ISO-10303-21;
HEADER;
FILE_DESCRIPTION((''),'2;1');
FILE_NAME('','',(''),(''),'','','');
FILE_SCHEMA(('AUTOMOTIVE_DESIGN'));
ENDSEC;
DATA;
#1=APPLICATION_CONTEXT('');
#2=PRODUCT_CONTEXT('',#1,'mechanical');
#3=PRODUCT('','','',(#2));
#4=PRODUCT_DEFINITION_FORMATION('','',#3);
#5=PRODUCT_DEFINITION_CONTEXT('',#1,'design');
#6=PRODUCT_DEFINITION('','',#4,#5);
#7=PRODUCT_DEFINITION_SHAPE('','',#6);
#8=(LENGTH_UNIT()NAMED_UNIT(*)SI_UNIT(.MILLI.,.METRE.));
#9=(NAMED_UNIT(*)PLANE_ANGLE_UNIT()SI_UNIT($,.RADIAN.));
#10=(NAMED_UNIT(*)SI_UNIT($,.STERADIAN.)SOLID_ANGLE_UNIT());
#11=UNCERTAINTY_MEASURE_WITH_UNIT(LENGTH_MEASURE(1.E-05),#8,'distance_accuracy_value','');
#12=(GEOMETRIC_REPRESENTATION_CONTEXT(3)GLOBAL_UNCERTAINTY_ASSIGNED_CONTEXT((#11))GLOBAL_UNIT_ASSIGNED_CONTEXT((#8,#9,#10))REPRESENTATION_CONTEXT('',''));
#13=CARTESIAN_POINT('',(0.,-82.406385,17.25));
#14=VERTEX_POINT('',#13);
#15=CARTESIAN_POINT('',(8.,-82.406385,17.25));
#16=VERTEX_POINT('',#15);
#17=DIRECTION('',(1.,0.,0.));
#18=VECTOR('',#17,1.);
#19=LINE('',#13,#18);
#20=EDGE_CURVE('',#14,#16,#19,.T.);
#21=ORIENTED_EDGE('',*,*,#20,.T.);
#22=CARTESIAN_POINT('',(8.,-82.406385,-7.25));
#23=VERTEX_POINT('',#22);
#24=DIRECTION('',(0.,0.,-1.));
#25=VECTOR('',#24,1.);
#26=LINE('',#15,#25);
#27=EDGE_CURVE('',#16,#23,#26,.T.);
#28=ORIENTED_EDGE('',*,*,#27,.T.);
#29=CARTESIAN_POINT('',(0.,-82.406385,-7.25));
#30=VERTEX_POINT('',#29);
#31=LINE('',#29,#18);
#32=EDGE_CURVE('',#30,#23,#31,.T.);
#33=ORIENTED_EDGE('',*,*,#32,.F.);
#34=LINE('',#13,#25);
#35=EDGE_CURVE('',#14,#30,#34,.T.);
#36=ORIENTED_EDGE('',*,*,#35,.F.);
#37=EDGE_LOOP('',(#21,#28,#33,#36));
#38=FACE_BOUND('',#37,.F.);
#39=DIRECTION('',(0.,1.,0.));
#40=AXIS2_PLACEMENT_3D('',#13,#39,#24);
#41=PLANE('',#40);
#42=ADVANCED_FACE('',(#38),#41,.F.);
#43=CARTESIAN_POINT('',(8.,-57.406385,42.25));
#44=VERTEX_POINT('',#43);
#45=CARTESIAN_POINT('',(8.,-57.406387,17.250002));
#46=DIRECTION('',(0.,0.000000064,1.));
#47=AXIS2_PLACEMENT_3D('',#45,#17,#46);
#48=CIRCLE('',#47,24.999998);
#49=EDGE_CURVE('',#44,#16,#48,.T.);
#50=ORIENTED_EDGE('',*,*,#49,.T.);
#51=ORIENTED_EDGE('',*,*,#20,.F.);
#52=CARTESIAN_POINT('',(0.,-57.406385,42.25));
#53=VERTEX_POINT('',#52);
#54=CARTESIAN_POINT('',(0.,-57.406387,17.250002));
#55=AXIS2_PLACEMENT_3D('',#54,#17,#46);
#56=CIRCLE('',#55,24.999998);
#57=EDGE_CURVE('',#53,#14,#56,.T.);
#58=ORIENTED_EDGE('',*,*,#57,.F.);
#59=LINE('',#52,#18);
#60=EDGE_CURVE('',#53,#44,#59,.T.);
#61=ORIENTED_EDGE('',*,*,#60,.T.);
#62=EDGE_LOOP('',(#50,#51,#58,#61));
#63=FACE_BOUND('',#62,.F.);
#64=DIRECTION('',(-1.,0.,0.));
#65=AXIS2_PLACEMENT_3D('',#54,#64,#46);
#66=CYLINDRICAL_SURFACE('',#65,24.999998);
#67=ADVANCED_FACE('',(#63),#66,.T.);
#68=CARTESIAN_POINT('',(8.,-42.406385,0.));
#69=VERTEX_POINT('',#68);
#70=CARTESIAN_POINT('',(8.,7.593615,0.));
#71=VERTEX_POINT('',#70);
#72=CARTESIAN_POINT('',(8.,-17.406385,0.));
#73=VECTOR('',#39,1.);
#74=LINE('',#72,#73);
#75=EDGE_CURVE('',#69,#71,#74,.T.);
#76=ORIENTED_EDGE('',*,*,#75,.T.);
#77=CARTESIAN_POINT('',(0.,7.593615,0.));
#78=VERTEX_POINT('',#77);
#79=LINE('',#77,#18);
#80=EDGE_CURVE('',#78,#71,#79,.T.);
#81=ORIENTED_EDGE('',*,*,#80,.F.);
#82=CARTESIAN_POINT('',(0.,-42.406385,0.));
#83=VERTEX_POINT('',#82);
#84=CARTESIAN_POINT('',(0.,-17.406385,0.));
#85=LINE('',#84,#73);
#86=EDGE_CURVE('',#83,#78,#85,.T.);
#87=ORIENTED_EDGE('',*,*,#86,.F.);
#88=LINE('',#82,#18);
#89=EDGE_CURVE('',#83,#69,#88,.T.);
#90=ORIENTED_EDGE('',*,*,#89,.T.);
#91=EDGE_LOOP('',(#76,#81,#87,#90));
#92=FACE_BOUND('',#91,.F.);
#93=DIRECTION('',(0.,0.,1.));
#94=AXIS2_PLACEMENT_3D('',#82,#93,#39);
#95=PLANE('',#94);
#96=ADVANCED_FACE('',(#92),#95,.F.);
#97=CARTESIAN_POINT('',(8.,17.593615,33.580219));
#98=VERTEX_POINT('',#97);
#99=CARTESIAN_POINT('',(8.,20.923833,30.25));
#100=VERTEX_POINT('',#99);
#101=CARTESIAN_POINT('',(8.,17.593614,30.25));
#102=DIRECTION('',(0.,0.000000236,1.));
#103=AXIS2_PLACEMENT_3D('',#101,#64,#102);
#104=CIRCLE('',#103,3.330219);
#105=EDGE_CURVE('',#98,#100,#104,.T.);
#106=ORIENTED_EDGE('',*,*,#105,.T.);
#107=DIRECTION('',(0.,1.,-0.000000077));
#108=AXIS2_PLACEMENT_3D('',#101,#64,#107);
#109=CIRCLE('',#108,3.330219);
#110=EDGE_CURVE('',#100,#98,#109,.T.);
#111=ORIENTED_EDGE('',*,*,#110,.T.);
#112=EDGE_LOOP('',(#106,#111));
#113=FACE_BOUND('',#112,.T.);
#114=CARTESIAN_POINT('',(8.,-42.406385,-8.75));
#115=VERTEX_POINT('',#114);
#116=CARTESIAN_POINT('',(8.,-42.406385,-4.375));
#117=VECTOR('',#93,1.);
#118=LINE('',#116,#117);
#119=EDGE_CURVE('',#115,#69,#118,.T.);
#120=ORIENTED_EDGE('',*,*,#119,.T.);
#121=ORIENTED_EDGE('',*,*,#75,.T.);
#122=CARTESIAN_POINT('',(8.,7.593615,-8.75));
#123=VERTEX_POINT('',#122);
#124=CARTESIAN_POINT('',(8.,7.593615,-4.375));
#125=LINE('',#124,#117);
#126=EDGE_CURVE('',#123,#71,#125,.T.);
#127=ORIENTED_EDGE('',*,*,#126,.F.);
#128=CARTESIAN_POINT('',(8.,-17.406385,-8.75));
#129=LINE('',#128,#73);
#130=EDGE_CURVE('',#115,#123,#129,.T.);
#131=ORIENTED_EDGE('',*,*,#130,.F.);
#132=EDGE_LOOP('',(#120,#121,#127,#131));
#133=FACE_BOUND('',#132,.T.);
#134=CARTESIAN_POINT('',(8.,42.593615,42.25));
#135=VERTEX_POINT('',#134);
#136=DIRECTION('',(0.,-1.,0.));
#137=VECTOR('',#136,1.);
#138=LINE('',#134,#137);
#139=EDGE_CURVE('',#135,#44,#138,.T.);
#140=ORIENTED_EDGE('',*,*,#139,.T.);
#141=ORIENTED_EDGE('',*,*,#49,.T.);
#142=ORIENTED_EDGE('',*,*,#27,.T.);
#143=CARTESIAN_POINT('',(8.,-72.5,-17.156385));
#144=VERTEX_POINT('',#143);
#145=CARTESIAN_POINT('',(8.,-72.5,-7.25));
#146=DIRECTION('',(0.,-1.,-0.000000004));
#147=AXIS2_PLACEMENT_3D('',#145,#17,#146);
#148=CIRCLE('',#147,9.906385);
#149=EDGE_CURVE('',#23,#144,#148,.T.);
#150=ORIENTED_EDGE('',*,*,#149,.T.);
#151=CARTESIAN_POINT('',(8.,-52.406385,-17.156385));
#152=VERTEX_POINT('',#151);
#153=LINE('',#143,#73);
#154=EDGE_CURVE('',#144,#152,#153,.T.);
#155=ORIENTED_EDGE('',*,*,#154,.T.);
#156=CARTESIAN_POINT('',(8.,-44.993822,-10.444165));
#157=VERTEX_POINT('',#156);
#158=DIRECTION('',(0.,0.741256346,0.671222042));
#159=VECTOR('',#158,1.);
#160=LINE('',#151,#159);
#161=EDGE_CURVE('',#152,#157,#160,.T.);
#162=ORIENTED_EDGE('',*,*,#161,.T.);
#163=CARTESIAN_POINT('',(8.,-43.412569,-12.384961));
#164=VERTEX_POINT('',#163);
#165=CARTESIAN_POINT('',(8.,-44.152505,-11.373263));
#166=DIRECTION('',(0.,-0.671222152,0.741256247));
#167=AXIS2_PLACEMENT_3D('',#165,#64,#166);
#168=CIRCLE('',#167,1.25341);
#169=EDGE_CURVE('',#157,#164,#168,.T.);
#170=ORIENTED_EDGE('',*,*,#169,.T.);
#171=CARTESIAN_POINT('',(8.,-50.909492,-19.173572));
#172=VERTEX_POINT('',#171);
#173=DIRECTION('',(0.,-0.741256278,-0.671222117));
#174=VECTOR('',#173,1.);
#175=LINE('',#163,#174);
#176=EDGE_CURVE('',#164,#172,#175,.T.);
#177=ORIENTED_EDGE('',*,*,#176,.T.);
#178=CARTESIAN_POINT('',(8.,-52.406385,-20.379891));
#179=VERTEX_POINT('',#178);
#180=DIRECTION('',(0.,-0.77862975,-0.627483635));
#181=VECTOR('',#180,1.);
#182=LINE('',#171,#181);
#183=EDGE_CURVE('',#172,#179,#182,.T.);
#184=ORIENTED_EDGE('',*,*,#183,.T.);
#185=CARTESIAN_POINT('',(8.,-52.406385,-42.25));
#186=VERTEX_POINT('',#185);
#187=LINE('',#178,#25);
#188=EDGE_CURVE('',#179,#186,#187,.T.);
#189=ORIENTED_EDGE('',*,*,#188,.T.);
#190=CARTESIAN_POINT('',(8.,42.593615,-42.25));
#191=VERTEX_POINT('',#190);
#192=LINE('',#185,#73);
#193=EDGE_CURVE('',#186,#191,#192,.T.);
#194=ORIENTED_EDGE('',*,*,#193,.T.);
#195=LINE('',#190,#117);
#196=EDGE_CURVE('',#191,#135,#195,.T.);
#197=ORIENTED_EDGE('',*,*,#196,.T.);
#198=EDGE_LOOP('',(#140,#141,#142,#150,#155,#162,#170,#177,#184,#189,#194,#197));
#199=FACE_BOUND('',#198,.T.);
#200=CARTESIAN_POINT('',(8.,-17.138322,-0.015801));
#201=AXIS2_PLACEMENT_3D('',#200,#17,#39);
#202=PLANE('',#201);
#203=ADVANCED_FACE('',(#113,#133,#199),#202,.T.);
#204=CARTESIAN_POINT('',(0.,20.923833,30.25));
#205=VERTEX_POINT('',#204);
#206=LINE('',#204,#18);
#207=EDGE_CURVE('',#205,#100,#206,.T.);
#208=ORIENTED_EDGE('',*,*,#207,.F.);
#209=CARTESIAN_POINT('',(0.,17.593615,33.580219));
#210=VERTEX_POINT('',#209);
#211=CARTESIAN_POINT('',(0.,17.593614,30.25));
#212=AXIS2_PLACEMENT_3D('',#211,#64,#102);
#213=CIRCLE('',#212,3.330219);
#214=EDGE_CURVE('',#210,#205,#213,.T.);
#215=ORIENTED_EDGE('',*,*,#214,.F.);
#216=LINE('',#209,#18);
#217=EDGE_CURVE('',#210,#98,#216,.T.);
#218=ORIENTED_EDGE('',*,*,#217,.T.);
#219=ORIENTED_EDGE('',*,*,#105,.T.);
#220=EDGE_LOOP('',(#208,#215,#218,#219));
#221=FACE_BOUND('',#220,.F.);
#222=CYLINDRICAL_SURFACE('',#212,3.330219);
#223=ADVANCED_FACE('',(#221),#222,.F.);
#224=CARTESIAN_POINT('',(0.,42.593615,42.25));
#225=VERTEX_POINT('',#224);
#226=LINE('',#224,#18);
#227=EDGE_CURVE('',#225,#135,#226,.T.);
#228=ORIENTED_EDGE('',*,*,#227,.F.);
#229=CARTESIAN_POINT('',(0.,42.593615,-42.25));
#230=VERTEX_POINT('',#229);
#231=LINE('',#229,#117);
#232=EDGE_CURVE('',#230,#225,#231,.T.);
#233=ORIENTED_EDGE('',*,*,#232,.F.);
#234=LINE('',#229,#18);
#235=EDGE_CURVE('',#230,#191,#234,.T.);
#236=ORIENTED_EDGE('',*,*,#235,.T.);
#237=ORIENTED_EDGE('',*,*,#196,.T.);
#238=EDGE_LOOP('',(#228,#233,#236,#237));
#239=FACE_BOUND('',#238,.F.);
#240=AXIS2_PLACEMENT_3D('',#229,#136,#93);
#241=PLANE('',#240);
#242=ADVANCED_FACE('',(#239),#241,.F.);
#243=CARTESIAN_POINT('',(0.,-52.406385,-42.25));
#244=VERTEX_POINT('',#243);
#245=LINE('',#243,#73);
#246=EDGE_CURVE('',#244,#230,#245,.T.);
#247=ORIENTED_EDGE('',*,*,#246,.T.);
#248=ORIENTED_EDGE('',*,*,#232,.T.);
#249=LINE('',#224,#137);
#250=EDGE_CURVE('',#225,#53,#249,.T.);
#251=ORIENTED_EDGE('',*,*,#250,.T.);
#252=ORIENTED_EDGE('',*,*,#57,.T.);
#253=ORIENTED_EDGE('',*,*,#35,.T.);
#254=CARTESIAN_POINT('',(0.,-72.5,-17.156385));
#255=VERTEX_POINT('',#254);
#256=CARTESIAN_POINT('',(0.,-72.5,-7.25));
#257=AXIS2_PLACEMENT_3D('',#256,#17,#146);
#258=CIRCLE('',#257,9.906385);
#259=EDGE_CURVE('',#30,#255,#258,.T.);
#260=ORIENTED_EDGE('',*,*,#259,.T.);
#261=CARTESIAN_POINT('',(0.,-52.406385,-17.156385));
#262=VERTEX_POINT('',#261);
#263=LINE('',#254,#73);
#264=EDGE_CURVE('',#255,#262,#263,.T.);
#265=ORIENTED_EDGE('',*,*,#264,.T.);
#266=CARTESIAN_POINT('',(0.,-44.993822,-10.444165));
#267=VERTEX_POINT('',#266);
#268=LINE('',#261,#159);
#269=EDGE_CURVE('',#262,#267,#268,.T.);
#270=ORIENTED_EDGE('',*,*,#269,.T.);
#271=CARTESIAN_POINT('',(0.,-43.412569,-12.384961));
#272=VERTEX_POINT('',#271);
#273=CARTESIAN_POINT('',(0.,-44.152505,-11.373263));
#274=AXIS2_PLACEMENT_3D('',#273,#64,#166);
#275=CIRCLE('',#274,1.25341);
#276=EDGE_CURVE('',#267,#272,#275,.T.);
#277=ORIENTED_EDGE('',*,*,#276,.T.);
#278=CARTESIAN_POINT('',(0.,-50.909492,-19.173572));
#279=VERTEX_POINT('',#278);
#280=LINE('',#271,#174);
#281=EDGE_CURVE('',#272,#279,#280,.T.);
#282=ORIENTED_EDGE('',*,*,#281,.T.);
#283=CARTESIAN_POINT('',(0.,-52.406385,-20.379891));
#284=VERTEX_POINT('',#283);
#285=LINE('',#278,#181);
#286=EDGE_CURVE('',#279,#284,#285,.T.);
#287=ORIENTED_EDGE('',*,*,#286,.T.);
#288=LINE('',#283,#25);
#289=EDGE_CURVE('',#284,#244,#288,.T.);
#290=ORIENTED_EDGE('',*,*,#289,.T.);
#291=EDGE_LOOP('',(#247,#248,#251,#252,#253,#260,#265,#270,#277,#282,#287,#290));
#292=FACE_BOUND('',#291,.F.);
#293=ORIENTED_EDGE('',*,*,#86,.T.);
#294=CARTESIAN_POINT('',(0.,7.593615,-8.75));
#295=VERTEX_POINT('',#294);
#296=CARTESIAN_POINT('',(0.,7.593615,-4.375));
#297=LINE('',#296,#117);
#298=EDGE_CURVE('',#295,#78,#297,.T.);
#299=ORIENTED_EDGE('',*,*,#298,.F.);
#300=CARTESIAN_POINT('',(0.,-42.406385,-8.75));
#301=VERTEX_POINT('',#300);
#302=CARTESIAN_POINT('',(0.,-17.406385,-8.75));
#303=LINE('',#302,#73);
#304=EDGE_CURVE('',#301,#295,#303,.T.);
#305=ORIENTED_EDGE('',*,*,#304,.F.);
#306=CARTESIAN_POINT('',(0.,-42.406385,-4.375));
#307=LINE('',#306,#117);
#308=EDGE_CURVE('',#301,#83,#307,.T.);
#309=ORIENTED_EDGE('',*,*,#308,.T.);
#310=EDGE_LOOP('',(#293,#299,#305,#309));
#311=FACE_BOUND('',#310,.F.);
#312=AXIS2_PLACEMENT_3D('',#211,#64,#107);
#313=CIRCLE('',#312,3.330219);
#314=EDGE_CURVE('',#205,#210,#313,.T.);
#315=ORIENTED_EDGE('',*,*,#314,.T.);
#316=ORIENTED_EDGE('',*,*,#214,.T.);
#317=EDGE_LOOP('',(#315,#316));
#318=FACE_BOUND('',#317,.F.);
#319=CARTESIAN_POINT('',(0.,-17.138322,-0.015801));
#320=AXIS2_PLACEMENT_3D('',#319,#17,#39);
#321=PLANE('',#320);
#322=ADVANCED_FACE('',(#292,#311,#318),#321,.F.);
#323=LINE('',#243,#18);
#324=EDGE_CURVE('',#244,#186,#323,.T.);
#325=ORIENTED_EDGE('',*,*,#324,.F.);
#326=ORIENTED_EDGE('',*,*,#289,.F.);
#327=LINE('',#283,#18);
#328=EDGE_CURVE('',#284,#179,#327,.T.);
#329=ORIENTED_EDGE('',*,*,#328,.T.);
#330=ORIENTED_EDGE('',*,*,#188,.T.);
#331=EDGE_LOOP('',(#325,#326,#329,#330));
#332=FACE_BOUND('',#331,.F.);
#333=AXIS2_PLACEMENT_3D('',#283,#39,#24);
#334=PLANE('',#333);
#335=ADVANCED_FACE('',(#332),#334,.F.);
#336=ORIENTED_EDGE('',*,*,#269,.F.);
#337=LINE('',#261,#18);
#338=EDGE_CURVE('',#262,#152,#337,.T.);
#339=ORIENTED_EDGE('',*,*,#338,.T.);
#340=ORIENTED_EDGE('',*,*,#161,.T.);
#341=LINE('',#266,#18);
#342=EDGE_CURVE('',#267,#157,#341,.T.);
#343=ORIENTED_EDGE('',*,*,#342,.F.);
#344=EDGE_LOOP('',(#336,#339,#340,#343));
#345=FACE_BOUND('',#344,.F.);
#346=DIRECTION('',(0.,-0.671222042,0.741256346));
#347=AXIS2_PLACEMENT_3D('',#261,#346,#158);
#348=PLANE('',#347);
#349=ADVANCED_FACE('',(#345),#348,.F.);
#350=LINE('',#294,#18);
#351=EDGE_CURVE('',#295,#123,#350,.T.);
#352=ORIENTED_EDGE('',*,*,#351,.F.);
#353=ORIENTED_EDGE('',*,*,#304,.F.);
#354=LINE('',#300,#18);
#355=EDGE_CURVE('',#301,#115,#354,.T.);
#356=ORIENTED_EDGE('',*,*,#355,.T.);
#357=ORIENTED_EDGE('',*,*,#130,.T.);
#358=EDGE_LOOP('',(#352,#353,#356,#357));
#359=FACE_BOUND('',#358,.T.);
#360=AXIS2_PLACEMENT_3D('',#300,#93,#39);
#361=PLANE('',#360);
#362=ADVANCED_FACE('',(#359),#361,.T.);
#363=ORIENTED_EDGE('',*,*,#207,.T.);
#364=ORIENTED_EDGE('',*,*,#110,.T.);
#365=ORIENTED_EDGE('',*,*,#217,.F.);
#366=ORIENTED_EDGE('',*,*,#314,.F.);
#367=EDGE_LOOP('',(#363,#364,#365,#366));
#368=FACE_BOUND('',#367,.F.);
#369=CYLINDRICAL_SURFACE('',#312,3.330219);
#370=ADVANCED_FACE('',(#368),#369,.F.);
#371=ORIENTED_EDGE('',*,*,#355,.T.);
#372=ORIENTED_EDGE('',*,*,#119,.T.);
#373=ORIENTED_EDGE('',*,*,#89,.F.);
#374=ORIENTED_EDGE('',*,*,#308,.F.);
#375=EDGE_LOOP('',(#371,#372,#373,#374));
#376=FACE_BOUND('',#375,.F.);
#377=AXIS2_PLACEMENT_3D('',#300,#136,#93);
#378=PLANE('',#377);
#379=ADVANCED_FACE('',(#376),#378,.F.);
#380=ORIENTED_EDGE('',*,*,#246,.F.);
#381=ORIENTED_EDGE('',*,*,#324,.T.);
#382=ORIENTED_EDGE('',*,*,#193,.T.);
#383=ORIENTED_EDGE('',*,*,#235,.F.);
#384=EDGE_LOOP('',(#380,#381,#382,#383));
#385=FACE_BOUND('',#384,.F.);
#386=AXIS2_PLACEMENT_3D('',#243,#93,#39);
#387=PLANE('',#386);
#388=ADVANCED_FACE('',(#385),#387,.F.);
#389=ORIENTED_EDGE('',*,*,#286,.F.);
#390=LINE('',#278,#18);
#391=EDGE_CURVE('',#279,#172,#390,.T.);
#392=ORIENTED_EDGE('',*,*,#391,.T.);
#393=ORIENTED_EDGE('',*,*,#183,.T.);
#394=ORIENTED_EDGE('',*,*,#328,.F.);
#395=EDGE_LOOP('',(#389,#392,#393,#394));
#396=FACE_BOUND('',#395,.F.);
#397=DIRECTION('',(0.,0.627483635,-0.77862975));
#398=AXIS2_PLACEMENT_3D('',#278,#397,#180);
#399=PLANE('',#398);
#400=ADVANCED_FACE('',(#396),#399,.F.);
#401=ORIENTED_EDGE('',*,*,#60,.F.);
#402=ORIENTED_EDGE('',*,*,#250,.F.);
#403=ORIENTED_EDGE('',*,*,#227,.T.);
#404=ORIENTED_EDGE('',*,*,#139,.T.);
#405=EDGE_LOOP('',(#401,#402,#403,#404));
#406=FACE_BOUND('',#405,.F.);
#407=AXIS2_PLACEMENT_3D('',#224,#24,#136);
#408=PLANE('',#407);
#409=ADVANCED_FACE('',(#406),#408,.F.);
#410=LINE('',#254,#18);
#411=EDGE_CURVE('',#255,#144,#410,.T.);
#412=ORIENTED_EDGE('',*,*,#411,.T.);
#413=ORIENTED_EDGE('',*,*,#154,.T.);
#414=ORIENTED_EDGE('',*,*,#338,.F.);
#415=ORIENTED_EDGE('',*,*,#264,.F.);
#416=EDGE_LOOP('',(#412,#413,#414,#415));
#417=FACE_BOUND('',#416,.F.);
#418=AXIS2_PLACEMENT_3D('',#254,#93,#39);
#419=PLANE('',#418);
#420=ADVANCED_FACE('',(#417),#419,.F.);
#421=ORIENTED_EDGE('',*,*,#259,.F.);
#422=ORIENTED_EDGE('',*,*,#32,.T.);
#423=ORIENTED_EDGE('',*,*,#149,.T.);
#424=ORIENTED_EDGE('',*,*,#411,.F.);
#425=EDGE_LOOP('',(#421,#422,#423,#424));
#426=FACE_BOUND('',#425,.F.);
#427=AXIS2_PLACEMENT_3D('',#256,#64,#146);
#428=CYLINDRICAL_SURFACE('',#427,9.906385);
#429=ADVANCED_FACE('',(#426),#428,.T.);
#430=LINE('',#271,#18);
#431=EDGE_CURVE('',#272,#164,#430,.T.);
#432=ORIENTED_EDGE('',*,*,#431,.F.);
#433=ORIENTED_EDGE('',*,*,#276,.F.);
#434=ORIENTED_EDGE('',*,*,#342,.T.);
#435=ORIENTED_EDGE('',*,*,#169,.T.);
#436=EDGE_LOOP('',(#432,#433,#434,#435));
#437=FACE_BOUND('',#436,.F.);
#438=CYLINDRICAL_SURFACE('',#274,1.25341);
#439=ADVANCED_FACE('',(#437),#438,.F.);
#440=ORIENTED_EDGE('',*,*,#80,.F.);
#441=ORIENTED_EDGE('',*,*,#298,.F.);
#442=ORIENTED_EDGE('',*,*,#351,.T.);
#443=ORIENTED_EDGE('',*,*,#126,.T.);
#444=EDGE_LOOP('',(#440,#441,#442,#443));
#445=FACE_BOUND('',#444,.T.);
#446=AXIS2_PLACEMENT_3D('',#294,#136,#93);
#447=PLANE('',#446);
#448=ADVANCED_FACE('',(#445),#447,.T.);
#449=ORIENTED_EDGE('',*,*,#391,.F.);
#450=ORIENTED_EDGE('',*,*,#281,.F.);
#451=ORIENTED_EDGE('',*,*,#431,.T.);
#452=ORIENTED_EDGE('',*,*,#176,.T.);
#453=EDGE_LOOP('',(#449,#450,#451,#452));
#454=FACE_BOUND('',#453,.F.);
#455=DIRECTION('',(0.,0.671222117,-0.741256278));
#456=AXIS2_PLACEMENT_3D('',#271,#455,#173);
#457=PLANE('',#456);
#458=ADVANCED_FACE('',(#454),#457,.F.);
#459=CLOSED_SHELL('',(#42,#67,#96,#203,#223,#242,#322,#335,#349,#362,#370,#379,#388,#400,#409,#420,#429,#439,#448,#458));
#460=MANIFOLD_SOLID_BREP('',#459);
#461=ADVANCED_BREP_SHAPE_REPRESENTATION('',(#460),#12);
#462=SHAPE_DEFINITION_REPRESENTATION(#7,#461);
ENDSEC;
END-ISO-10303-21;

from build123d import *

# Parameters (mm, degrees)
F0_W     = 50
F0_H     = 8.75
F1_DEPTH = 8


with BuildPart() as f1:
    # F0 (on Right) → F1 (new body)
    with BuildSketch(Plane.YZ):
        with BuildLine():
            Line((17.593615, 42.25), (-19.906385, 42.25))
            Line((-19.906385, 42.25), (-57.406385, 42.25))
            ThreePointArc((-57.406385, 42.25), (-75.084055, 34.92767), (-82.406385, 17.25))
            Line((-82.406385, 17.25), (-82.406385, -7.25))
            ThreePointArc((-82.406385, -7.25), (-79.504872, -14.254872), (-72.5, -17.156385))
            Line((-72.5, -17.156385), (-52.406385, -17.156385))
            Line((-52.406385, -17.156385), (-44.993822, -10.444165))
            ThreePointArc((-44.993822, -10.444165), (-43.180784, -10.581559), (-43.412569, -12.384961))
            Line((-43.412569, -12.384961), (-50.909492, -19.173572))
            Line((-50.909492, -19.173572), (-52.406385, -20.379891))
            Line((-52.406385, -20.379891), (-52.406385, -42.25))
            Line((-52.406385, -42.25), (42.593615, -42.25))
            Line((42.593615, -42.25), (42.593615, 0))
            Line((42.593615, 0), (42.593615, 42.25))
            Line((42.593615, 42.25), (17.593615, 42.25))
        make_face()
        with Locations((-17.406385, -4.375)):
            Rectangle(F0_W, F0_H, mode=Mode.SUBTRACT)
        with BuildLine():
            ThreePointArc((20.923833, 30.25), (15.238794, 27.89518), (17.593615, 33.580219))
            ThreePointArc((17.593615, 33.580219), (19.948435, 32.60482), (20.923833, 30.25))
        make_face(mode=Mode.SUBTRACT)
    extrude(amount=F1_DEPTH)


solid = f1.part
